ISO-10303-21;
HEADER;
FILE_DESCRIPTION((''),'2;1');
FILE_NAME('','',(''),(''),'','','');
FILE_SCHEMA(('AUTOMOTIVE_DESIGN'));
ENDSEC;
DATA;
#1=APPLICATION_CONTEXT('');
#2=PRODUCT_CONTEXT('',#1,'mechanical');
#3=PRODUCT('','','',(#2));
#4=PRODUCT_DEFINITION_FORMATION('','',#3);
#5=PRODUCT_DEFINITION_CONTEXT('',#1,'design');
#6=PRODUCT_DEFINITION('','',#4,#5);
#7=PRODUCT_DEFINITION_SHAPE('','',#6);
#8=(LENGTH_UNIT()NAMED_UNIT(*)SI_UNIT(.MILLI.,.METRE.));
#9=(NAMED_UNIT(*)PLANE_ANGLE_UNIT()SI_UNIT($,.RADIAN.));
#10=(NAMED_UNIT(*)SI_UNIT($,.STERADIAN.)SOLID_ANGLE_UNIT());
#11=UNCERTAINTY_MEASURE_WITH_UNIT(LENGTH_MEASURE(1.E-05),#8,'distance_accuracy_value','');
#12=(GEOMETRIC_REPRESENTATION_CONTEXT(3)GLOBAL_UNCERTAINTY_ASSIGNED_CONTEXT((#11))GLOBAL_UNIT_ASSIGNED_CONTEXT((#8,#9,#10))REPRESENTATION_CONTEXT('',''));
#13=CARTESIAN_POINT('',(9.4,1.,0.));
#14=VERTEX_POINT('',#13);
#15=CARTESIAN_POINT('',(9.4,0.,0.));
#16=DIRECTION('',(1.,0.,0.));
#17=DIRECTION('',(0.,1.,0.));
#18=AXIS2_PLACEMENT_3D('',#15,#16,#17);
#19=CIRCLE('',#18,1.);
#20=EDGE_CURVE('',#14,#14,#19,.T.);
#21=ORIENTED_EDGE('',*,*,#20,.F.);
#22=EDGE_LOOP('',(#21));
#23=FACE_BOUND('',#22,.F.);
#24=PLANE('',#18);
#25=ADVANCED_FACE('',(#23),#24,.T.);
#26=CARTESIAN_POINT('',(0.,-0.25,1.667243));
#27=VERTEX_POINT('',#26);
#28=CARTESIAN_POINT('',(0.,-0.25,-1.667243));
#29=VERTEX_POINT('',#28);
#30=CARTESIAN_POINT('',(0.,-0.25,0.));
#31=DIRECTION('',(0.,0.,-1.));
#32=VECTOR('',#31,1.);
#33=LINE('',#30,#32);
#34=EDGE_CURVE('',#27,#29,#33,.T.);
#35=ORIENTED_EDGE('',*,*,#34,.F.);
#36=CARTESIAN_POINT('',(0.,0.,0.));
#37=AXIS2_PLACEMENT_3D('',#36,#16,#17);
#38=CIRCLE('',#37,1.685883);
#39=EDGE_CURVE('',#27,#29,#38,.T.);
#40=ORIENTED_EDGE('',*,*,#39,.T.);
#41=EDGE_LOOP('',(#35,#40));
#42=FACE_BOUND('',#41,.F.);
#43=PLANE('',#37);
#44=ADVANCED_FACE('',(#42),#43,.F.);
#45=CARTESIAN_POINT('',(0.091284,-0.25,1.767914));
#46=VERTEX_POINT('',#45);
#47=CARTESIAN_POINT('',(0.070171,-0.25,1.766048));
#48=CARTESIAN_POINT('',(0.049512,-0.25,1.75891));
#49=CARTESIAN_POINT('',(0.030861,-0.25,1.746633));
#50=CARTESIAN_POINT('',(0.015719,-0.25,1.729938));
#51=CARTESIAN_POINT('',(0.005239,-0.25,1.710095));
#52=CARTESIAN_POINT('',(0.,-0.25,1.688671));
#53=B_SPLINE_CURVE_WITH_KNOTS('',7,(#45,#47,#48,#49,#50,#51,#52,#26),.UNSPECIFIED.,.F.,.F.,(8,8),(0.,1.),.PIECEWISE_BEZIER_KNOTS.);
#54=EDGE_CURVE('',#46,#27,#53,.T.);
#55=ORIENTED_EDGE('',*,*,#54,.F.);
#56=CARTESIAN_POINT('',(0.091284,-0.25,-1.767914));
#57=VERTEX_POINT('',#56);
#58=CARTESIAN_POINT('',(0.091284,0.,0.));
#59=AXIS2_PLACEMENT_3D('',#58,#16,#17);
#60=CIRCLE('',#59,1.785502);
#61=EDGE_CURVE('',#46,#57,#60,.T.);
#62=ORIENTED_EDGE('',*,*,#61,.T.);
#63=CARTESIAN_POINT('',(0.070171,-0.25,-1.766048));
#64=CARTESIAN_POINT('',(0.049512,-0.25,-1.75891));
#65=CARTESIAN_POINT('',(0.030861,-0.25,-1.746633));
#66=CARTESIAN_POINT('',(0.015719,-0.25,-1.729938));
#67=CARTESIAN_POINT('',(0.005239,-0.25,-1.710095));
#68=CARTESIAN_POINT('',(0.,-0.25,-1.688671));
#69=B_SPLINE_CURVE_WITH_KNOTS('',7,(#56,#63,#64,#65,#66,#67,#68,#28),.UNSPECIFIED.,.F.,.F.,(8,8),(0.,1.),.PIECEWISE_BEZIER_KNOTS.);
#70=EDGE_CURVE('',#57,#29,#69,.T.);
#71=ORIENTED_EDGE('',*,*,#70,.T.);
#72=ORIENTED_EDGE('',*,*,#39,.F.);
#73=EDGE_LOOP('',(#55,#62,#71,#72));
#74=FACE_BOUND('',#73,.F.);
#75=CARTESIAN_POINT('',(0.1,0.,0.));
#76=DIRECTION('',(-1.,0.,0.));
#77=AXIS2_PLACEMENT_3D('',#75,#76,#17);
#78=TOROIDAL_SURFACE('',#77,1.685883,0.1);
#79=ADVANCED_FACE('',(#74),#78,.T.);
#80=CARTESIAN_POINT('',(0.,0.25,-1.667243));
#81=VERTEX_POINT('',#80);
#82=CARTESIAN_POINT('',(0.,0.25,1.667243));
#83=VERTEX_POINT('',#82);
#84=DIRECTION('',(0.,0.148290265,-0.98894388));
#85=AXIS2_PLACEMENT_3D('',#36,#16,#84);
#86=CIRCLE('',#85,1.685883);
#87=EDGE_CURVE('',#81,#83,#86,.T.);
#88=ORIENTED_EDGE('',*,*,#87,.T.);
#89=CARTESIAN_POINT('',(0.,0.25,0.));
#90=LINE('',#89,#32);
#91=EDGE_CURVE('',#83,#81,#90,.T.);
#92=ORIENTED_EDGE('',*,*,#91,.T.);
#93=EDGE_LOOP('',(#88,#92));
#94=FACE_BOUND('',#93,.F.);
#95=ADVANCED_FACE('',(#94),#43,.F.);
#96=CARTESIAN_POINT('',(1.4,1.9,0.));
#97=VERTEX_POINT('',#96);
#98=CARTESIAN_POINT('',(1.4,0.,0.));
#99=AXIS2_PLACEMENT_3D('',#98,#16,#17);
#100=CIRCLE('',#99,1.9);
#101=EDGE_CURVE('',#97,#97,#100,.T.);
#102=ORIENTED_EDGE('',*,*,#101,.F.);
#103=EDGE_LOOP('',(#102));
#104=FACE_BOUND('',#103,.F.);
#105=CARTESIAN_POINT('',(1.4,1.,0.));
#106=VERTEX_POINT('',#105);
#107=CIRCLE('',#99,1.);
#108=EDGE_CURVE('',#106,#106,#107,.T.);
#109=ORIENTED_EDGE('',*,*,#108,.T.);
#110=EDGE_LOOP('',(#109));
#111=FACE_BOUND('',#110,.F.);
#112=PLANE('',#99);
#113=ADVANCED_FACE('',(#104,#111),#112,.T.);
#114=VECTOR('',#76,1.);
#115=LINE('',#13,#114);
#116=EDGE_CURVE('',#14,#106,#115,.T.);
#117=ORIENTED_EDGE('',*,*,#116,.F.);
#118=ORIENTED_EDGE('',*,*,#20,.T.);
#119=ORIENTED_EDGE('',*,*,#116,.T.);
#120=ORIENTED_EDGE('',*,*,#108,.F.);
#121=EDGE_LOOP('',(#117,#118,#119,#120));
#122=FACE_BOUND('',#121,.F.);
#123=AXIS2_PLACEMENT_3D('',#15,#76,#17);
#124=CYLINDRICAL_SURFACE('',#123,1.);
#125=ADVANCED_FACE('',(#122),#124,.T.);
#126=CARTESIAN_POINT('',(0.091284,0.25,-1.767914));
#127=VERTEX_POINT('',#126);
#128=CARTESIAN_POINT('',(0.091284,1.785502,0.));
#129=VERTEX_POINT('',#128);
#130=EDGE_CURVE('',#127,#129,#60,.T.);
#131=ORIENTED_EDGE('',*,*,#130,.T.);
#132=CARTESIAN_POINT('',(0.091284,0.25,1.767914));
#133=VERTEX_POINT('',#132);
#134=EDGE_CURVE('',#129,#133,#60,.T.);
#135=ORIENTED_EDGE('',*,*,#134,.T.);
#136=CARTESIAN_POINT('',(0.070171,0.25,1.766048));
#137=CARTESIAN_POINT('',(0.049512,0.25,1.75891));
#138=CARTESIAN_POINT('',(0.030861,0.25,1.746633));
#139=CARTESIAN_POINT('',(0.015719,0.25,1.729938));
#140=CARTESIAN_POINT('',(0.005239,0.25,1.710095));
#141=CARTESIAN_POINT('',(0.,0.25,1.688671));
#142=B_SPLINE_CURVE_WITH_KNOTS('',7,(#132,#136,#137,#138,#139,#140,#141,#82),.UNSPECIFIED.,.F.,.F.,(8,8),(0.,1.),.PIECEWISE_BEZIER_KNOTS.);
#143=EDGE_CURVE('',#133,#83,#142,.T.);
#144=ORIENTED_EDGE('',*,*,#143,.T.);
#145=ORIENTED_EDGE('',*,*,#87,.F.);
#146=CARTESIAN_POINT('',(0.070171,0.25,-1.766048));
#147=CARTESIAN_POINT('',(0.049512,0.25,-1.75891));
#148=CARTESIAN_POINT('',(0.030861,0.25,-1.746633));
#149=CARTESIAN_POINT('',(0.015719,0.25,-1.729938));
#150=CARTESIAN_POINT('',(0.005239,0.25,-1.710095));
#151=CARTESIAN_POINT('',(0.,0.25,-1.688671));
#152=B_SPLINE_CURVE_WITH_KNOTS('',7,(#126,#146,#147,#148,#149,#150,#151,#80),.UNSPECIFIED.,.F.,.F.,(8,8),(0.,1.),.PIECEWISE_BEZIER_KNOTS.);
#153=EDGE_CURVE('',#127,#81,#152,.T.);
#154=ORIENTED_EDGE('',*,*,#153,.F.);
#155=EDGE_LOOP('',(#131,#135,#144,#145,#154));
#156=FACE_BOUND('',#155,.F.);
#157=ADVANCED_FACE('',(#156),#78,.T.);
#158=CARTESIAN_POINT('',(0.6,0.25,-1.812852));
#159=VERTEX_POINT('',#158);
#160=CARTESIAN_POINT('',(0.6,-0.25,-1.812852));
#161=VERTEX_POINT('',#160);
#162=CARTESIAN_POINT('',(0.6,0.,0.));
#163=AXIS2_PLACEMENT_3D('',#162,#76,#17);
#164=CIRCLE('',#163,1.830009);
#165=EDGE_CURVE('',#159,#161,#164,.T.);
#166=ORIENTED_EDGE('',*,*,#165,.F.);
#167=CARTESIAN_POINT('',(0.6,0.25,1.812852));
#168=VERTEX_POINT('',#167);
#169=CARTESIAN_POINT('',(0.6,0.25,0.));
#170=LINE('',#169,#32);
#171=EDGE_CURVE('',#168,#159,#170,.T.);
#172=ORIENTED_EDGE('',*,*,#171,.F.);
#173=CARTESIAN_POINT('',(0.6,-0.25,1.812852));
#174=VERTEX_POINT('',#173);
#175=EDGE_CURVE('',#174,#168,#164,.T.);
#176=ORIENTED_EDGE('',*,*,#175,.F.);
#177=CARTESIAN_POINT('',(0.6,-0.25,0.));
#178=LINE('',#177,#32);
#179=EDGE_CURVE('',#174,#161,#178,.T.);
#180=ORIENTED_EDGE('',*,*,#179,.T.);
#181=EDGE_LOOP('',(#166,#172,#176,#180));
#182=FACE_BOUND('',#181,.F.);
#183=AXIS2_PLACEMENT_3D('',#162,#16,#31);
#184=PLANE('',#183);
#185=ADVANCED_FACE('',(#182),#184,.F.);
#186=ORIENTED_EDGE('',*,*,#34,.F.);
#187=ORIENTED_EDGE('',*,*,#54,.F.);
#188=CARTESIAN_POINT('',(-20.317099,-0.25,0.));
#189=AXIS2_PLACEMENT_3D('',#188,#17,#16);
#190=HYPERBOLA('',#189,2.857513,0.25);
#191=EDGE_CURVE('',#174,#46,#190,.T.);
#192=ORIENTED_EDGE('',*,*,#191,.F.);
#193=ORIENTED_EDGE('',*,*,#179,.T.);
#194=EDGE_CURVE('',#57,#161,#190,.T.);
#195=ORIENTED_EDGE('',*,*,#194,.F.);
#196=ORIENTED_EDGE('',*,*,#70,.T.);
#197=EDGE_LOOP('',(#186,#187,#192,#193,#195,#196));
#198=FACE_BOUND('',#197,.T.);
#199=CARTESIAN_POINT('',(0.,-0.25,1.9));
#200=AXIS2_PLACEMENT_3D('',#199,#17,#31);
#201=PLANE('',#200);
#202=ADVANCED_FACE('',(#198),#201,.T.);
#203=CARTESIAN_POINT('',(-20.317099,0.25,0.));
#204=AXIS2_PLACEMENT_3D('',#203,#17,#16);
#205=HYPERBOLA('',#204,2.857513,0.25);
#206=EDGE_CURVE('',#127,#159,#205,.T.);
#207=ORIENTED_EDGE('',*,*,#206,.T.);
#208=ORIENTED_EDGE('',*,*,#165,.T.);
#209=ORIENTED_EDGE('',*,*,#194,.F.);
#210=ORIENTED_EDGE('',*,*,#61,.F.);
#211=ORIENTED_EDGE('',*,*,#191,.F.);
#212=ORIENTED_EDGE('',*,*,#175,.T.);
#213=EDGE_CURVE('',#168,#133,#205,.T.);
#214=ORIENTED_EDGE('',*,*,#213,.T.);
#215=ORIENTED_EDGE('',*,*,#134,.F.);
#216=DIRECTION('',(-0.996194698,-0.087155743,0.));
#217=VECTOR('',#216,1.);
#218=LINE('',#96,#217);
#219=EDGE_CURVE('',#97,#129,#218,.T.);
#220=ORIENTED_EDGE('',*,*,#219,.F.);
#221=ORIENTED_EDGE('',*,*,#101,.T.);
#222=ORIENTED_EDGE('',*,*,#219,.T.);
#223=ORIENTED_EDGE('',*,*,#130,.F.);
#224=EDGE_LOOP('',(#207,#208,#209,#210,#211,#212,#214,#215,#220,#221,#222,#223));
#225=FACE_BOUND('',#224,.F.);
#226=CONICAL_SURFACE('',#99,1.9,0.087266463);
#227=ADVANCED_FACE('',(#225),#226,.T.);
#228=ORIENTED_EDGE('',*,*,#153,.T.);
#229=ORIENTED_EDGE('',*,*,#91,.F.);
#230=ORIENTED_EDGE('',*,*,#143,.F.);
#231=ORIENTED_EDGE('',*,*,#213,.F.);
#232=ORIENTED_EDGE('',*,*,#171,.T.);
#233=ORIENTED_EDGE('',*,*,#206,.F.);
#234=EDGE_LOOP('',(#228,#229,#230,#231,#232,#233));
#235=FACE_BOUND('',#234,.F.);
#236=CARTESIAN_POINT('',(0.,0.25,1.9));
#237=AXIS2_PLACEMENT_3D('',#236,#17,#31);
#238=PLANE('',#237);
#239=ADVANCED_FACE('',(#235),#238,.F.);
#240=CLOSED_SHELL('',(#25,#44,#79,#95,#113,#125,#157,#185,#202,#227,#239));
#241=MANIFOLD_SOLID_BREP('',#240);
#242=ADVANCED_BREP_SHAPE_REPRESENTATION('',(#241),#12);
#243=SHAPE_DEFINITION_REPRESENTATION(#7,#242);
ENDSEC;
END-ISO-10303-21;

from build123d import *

# Parameters (mm, degrees)
FILLET2_R  = 0.1
SKETCH2_W  = 3.8
SKETCH2_H  = 0.5
SLOT_DEPTH = 0.6


with BuildPart() as part:
    # BodySke → Base-Revolve (revolve)
    with BuildSketch(Plane.XY):
        Polygon((1.4, 1), (1.4, 1.9), (0, 1.777515871), (0, 0), (9.4, 0), (9.4, 1), align=None)
    revolve(axis=Axis((-25.4, 0, 0), (1, 0, 0)))

    # Fillet2
    fillet2_edges = [part.edges().sort_by_distance(p)[0] for p in [
        (0, -1.777515871, 0),
    ]]
    fillet(fillet2_edges, radius=FILLET2_R)

    # Sketch2 → Slot (cut)
    with BuildSketch(Plane(origin=(0, 0, 0), x_dir=(0, 0, -1), z_dir=(1, 0, 0))):
        Rectangle(SKETCH2_W, SKETCH2_H)
    extrude(amount=SLOT_DEPTH, mode=Mode.SUBTRACT)


solid = part.part
